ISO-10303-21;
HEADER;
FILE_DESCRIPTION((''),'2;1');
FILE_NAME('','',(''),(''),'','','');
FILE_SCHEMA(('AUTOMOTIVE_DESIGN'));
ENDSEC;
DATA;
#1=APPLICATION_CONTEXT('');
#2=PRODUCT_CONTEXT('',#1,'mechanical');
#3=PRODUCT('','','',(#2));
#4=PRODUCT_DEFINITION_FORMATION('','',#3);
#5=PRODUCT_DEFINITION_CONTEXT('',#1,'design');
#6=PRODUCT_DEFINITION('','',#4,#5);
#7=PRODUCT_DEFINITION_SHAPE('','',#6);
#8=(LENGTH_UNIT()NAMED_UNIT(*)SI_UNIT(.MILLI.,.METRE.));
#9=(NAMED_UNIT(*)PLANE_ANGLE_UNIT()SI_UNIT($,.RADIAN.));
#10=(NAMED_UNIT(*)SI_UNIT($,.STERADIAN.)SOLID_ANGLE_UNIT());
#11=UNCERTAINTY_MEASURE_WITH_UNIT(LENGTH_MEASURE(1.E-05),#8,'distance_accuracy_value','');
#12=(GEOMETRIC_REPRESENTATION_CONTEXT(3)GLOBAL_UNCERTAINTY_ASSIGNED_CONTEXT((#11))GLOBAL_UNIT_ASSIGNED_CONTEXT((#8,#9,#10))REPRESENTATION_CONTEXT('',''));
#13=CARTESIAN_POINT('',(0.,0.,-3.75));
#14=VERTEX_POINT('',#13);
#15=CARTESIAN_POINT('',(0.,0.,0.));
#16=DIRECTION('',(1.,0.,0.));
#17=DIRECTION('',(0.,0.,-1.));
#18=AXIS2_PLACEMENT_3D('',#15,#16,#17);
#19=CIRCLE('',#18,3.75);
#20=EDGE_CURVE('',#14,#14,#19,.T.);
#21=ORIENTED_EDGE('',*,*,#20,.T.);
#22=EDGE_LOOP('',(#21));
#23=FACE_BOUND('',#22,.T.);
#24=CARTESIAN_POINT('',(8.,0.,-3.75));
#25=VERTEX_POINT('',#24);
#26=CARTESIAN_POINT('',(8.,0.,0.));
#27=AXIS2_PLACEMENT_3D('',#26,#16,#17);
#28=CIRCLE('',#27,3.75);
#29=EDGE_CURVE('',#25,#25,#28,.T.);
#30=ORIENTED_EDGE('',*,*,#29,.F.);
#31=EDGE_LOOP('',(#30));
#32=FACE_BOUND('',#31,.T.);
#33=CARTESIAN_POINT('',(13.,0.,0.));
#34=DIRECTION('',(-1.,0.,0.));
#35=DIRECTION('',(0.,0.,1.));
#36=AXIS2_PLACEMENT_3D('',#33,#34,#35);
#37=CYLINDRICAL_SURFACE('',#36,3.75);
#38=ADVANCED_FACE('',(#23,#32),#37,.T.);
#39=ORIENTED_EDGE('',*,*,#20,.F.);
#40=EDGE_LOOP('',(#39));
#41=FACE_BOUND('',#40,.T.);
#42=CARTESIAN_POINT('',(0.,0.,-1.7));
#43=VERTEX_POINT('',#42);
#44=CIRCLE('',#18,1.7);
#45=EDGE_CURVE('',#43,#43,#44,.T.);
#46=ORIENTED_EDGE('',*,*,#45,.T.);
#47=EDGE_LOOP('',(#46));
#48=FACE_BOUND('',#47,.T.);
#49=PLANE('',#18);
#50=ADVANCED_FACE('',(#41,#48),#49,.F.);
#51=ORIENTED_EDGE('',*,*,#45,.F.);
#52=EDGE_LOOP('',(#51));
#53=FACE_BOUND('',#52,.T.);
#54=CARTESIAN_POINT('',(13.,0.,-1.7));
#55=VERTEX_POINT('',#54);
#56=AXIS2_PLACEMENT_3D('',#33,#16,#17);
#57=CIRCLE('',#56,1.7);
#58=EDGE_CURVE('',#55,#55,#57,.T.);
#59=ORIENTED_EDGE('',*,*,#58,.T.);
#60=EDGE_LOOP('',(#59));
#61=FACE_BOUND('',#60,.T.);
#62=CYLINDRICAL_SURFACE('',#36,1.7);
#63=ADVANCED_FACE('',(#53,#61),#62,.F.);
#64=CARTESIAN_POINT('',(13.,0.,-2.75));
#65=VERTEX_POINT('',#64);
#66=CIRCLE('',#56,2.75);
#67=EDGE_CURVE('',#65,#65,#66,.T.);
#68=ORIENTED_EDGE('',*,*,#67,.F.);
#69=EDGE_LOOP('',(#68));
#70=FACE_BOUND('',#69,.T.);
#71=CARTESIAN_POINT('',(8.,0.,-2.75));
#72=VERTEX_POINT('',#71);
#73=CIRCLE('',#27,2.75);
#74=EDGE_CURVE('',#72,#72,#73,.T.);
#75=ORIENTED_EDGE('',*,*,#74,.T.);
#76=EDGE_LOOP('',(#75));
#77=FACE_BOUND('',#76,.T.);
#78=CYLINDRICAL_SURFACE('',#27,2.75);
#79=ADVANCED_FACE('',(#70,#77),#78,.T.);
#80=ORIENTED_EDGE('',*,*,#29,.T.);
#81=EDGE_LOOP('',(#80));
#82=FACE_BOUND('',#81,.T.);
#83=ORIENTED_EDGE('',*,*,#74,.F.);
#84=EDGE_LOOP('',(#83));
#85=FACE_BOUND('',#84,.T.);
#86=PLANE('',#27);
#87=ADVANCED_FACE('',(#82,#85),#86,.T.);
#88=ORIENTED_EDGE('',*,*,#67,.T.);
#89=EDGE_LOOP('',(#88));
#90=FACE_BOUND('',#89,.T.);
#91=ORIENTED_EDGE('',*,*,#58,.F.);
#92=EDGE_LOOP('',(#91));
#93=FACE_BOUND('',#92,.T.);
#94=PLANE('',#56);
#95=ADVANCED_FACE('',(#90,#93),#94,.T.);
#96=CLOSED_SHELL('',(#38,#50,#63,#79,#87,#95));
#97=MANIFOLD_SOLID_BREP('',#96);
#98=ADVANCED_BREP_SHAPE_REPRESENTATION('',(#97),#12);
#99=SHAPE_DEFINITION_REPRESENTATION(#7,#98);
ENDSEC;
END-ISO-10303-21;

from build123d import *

# Parameters (mm, degrees)
SKETCH_1_R          = 3.75
SKETCH_1_R_2        = 1.7
EXTRUDE_1_DEPTH     = 13
SKETCH_2_R          = 4
SKETCH_2_R_2        = 2.75
CUT_EXTRUDE_1_DEPTH = 5


with BuildPart() as part:
    # 草图1 → 凸台-拉伸1 (new body)
    with BuildSketch(Plane(origin=(0, 0, 0), x_dir=(0, 0, -1), z_dir=(1, 0, 0))):
        Circle(SKETCH_1_R)
        Circle(SKETCH_1_R_2, mode=Mode.SUBTRACT)
    extrude(amount=EXTRUDE_1_DEPTH)

    # 草图2 → 切除-拉伸1 (cut)
    with BuildSketch(Plane(origin=(13, 0, 0), x_dir=(0, 0, -1), z_dir=(1, 0, 0))):
        Circle(SKETCH_2_R)
        Circle(SKETCH_2_R_2, mode=Mode.SUBTRACT)
    extrude(amount=-CUT_EXTRUDE_1_DEPTH, mode=Mode.SUBTRACT)


solid = part.part
